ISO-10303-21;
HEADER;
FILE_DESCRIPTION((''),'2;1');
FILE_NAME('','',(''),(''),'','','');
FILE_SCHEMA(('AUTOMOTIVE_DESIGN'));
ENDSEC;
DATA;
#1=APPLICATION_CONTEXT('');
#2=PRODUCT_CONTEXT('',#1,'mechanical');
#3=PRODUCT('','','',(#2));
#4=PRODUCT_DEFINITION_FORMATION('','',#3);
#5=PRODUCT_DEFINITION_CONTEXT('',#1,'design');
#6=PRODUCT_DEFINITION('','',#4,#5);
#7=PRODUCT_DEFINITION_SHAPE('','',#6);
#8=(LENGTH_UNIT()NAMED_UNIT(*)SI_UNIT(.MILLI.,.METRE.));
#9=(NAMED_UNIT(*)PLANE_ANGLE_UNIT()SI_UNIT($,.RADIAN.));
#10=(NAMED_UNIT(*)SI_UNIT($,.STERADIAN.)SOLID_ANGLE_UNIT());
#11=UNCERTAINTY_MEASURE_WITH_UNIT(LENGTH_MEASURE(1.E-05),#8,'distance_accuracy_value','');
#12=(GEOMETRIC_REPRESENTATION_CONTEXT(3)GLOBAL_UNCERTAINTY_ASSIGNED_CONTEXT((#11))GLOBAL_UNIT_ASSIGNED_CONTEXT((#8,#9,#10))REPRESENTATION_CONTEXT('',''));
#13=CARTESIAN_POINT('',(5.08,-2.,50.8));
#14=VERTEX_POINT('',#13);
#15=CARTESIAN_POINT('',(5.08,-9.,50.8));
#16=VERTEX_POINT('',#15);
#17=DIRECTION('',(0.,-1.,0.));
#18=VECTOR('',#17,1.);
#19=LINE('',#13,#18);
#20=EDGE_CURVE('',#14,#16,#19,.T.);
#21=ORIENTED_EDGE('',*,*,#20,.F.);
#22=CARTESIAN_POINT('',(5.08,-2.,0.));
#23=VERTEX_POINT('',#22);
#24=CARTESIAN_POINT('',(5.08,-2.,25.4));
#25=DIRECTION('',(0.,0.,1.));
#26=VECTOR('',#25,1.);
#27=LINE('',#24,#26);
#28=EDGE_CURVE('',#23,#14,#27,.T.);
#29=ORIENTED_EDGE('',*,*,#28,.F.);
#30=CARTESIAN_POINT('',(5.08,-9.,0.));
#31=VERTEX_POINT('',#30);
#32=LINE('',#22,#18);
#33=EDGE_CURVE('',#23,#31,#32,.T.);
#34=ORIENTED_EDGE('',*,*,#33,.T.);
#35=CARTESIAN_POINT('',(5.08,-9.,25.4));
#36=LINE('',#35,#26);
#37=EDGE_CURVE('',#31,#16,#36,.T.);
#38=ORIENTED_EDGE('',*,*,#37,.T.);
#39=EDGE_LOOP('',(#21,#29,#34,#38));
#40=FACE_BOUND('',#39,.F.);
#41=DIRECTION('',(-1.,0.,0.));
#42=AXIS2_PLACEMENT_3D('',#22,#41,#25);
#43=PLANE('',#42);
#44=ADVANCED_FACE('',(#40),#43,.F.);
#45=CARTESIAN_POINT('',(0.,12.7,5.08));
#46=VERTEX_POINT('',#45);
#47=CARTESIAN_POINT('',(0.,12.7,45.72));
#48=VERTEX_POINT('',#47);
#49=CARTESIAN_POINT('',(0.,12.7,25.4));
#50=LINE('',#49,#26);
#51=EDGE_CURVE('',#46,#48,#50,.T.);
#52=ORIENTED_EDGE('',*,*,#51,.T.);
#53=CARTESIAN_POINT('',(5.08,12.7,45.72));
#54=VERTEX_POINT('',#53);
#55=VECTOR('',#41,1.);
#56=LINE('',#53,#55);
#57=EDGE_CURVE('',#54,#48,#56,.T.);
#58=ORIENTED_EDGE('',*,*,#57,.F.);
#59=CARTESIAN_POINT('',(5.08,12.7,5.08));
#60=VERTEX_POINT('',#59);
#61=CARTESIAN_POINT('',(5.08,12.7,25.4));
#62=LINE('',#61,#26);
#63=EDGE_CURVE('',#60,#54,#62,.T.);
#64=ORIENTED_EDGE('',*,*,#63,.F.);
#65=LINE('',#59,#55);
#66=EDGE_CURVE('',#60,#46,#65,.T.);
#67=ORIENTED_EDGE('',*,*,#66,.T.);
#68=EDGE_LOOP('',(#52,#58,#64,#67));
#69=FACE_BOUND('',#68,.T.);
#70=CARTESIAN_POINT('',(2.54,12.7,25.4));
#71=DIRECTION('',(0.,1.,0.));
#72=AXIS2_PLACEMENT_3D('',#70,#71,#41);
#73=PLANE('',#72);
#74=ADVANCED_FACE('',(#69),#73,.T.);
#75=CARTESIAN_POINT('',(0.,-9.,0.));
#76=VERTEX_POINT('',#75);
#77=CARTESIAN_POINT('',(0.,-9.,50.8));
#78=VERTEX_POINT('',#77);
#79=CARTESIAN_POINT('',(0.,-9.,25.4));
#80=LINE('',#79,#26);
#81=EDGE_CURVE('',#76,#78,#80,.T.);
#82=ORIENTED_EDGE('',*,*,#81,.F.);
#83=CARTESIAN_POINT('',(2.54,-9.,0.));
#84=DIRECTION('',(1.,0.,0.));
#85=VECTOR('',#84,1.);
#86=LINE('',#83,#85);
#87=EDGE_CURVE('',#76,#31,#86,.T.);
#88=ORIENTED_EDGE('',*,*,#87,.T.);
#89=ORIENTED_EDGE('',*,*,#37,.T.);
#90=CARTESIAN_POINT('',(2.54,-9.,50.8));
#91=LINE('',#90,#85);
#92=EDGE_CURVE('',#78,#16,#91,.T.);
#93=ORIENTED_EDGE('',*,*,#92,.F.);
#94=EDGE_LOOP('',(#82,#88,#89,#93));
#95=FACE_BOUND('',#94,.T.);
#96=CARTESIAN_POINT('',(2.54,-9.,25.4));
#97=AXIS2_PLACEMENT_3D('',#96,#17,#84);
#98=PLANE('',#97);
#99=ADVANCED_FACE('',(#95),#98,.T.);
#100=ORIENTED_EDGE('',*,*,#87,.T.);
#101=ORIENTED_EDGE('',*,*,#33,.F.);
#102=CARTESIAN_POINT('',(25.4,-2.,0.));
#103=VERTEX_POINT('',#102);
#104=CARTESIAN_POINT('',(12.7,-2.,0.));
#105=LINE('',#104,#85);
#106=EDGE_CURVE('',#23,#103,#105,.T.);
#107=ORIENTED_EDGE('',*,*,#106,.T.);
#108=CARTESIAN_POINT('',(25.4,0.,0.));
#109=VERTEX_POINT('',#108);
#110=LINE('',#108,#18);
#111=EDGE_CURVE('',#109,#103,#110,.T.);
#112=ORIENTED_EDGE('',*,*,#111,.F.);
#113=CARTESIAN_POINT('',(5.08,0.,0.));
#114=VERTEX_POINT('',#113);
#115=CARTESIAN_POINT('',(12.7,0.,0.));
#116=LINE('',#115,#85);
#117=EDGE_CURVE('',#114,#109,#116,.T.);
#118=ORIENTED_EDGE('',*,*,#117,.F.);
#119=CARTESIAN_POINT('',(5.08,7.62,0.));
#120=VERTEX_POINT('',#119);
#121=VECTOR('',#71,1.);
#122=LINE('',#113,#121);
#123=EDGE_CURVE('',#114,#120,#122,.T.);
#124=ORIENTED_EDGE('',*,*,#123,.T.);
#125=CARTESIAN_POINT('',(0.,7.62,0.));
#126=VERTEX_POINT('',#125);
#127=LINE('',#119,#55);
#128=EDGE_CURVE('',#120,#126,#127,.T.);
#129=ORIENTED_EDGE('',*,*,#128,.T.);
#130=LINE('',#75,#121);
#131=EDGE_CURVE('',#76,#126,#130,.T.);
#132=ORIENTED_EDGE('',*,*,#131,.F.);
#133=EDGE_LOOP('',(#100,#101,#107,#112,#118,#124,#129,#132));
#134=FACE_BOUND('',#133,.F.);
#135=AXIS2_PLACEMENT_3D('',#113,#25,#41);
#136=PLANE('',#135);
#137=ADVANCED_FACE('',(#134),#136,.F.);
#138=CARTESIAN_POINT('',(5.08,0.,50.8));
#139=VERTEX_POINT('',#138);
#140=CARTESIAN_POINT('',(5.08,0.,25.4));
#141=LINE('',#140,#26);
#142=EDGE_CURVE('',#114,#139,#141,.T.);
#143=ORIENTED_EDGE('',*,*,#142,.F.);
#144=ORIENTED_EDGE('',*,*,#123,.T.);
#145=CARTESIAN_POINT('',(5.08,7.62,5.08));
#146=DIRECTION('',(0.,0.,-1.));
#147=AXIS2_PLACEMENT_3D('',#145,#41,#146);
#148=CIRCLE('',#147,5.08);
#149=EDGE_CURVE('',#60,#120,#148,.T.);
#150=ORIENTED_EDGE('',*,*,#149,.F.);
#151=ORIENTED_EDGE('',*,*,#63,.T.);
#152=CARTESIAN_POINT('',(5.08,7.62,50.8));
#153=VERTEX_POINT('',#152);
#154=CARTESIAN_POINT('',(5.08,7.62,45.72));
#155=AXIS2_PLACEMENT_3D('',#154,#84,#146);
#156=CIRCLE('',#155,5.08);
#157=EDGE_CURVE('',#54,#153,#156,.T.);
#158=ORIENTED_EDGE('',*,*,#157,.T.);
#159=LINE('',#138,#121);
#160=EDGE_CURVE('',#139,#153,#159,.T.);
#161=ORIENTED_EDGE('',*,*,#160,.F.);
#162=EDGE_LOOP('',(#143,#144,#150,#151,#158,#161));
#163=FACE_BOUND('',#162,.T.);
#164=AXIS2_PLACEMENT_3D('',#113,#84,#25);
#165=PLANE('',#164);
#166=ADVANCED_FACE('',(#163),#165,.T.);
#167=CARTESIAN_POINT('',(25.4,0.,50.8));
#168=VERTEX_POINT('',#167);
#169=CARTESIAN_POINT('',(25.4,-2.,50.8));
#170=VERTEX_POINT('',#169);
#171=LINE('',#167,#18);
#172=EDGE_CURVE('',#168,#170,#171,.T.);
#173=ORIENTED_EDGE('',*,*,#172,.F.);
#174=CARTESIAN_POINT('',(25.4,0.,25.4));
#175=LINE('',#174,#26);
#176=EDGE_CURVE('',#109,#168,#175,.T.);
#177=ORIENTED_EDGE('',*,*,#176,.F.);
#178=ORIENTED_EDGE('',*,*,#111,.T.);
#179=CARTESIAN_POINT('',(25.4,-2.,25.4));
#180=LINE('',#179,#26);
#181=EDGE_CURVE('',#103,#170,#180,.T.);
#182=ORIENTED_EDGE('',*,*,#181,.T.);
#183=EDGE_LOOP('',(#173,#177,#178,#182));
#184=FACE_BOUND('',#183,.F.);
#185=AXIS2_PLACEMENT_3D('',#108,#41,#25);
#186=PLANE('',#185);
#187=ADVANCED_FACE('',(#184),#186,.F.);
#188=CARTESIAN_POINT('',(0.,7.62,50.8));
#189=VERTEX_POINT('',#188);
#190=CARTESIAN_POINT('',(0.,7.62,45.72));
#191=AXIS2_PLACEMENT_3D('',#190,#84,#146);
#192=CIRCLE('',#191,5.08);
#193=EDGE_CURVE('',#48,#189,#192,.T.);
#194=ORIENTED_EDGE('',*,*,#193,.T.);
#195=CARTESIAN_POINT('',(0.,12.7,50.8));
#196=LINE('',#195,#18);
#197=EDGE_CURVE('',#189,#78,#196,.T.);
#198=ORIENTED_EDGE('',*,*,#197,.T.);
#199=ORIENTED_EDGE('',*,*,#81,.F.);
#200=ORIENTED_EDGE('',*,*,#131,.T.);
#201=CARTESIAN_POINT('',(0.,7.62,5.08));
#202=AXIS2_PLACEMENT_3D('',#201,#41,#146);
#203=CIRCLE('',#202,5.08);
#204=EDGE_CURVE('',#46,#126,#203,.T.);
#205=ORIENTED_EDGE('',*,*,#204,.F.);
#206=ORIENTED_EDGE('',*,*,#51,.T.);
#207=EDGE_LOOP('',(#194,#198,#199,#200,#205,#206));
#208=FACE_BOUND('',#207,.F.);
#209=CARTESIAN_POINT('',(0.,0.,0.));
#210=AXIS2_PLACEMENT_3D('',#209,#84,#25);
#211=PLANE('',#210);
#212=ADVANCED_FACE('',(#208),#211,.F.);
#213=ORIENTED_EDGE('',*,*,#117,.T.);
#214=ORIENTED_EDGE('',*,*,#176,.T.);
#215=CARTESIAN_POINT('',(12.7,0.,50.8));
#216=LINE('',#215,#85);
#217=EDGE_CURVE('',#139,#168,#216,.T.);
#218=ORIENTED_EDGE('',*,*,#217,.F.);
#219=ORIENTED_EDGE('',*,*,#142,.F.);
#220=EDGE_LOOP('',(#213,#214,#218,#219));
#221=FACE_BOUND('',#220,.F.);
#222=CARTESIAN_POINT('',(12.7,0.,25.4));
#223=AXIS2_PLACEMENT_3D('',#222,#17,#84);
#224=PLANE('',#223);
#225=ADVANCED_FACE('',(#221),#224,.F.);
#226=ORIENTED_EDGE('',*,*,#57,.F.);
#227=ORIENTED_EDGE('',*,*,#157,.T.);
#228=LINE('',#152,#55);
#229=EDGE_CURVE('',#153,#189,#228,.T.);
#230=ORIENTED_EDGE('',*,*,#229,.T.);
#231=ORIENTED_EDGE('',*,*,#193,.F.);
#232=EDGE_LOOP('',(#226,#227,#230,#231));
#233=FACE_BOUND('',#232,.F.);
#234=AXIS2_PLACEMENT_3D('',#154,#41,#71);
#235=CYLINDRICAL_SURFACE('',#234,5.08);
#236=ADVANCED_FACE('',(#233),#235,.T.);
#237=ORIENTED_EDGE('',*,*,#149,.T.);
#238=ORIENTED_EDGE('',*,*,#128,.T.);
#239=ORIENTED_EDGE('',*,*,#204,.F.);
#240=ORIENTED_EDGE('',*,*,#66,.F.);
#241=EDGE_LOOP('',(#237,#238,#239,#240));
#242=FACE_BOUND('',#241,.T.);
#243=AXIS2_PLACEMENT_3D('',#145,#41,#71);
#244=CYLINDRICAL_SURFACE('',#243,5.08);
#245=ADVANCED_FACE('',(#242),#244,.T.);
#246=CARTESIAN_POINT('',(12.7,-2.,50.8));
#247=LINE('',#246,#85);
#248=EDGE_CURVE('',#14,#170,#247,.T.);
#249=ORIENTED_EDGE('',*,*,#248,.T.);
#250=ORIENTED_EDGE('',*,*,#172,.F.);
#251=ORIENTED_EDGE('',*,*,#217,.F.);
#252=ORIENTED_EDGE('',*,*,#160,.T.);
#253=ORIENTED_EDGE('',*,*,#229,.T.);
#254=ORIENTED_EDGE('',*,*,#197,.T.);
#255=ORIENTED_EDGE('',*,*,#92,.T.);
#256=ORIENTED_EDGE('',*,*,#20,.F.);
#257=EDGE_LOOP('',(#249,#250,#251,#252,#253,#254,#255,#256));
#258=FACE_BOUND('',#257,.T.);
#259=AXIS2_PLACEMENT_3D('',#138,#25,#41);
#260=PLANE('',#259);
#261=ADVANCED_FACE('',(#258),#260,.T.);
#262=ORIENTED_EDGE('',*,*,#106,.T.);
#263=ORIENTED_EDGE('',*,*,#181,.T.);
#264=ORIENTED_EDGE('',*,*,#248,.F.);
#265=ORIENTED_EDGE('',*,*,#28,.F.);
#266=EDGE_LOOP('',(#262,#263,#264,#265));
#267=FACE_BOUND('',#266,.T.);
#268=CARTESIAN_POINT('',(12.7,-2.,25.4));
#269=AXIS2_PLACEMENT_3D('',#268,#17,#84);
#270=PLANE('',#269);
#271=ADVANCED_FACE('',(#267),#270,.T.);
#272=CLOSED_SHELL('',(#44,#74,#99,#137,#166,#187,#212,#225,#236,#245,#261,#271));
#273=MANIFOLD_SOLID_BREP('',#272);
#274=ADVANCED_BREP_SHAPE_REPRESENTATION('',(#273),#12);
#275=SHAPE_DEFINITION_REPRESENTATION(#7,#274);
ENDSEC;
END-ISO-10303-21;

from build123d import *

# Parameters (mm, degrees)
F0_W     = 25.4
F0_H     = 50.8
F1_DEPTH = 2
F2_W     = 5.08
F2_H     = 50.8
F3_DEPTH = 7
F4_W     = 5.08
F4_H     = 50.8
F5_DEPTH = 12.7
F6_R     = 5.08


with BuildPart() as f1:
    # F0 (on Front) → F1 (new body)
    with BuildSketch(Plane.XZ):
        with Locations((12.7, 25.4)):
            Rectangle(F0_W, F0_H)
    extrude(amount=F1_DEPTH)

    # F2 (on face) → F3 (join)
    with BuildSketch(Plane.XZ.offset(2)):
        with Locations((2.54, 25.4)):
            Rectangle(F2_W, F2_H)
    extrude(amount=F3_DEPTH)

    # F4 (on face) → F5 (join)
    with BuildSketch(Plane(origin=(0, 0, 0), x_dir=(-1, 0, 0), z_dir=(0, 1, 0))):
        with Locations((-2.54, 25.4)):
            Rectangle(F4_W, F4_H)
    extrude(amount=F5_DEPTH)

    # F6
    f6_edges = [f1.edges().sort_by_distance(p)[0] for p in [
        (2.54, 12.7, 50.8),
        (2.54, 12.7, 0),
    ]]
    fillet(f6_edges, radius=F6_R)


solid = f1.part
